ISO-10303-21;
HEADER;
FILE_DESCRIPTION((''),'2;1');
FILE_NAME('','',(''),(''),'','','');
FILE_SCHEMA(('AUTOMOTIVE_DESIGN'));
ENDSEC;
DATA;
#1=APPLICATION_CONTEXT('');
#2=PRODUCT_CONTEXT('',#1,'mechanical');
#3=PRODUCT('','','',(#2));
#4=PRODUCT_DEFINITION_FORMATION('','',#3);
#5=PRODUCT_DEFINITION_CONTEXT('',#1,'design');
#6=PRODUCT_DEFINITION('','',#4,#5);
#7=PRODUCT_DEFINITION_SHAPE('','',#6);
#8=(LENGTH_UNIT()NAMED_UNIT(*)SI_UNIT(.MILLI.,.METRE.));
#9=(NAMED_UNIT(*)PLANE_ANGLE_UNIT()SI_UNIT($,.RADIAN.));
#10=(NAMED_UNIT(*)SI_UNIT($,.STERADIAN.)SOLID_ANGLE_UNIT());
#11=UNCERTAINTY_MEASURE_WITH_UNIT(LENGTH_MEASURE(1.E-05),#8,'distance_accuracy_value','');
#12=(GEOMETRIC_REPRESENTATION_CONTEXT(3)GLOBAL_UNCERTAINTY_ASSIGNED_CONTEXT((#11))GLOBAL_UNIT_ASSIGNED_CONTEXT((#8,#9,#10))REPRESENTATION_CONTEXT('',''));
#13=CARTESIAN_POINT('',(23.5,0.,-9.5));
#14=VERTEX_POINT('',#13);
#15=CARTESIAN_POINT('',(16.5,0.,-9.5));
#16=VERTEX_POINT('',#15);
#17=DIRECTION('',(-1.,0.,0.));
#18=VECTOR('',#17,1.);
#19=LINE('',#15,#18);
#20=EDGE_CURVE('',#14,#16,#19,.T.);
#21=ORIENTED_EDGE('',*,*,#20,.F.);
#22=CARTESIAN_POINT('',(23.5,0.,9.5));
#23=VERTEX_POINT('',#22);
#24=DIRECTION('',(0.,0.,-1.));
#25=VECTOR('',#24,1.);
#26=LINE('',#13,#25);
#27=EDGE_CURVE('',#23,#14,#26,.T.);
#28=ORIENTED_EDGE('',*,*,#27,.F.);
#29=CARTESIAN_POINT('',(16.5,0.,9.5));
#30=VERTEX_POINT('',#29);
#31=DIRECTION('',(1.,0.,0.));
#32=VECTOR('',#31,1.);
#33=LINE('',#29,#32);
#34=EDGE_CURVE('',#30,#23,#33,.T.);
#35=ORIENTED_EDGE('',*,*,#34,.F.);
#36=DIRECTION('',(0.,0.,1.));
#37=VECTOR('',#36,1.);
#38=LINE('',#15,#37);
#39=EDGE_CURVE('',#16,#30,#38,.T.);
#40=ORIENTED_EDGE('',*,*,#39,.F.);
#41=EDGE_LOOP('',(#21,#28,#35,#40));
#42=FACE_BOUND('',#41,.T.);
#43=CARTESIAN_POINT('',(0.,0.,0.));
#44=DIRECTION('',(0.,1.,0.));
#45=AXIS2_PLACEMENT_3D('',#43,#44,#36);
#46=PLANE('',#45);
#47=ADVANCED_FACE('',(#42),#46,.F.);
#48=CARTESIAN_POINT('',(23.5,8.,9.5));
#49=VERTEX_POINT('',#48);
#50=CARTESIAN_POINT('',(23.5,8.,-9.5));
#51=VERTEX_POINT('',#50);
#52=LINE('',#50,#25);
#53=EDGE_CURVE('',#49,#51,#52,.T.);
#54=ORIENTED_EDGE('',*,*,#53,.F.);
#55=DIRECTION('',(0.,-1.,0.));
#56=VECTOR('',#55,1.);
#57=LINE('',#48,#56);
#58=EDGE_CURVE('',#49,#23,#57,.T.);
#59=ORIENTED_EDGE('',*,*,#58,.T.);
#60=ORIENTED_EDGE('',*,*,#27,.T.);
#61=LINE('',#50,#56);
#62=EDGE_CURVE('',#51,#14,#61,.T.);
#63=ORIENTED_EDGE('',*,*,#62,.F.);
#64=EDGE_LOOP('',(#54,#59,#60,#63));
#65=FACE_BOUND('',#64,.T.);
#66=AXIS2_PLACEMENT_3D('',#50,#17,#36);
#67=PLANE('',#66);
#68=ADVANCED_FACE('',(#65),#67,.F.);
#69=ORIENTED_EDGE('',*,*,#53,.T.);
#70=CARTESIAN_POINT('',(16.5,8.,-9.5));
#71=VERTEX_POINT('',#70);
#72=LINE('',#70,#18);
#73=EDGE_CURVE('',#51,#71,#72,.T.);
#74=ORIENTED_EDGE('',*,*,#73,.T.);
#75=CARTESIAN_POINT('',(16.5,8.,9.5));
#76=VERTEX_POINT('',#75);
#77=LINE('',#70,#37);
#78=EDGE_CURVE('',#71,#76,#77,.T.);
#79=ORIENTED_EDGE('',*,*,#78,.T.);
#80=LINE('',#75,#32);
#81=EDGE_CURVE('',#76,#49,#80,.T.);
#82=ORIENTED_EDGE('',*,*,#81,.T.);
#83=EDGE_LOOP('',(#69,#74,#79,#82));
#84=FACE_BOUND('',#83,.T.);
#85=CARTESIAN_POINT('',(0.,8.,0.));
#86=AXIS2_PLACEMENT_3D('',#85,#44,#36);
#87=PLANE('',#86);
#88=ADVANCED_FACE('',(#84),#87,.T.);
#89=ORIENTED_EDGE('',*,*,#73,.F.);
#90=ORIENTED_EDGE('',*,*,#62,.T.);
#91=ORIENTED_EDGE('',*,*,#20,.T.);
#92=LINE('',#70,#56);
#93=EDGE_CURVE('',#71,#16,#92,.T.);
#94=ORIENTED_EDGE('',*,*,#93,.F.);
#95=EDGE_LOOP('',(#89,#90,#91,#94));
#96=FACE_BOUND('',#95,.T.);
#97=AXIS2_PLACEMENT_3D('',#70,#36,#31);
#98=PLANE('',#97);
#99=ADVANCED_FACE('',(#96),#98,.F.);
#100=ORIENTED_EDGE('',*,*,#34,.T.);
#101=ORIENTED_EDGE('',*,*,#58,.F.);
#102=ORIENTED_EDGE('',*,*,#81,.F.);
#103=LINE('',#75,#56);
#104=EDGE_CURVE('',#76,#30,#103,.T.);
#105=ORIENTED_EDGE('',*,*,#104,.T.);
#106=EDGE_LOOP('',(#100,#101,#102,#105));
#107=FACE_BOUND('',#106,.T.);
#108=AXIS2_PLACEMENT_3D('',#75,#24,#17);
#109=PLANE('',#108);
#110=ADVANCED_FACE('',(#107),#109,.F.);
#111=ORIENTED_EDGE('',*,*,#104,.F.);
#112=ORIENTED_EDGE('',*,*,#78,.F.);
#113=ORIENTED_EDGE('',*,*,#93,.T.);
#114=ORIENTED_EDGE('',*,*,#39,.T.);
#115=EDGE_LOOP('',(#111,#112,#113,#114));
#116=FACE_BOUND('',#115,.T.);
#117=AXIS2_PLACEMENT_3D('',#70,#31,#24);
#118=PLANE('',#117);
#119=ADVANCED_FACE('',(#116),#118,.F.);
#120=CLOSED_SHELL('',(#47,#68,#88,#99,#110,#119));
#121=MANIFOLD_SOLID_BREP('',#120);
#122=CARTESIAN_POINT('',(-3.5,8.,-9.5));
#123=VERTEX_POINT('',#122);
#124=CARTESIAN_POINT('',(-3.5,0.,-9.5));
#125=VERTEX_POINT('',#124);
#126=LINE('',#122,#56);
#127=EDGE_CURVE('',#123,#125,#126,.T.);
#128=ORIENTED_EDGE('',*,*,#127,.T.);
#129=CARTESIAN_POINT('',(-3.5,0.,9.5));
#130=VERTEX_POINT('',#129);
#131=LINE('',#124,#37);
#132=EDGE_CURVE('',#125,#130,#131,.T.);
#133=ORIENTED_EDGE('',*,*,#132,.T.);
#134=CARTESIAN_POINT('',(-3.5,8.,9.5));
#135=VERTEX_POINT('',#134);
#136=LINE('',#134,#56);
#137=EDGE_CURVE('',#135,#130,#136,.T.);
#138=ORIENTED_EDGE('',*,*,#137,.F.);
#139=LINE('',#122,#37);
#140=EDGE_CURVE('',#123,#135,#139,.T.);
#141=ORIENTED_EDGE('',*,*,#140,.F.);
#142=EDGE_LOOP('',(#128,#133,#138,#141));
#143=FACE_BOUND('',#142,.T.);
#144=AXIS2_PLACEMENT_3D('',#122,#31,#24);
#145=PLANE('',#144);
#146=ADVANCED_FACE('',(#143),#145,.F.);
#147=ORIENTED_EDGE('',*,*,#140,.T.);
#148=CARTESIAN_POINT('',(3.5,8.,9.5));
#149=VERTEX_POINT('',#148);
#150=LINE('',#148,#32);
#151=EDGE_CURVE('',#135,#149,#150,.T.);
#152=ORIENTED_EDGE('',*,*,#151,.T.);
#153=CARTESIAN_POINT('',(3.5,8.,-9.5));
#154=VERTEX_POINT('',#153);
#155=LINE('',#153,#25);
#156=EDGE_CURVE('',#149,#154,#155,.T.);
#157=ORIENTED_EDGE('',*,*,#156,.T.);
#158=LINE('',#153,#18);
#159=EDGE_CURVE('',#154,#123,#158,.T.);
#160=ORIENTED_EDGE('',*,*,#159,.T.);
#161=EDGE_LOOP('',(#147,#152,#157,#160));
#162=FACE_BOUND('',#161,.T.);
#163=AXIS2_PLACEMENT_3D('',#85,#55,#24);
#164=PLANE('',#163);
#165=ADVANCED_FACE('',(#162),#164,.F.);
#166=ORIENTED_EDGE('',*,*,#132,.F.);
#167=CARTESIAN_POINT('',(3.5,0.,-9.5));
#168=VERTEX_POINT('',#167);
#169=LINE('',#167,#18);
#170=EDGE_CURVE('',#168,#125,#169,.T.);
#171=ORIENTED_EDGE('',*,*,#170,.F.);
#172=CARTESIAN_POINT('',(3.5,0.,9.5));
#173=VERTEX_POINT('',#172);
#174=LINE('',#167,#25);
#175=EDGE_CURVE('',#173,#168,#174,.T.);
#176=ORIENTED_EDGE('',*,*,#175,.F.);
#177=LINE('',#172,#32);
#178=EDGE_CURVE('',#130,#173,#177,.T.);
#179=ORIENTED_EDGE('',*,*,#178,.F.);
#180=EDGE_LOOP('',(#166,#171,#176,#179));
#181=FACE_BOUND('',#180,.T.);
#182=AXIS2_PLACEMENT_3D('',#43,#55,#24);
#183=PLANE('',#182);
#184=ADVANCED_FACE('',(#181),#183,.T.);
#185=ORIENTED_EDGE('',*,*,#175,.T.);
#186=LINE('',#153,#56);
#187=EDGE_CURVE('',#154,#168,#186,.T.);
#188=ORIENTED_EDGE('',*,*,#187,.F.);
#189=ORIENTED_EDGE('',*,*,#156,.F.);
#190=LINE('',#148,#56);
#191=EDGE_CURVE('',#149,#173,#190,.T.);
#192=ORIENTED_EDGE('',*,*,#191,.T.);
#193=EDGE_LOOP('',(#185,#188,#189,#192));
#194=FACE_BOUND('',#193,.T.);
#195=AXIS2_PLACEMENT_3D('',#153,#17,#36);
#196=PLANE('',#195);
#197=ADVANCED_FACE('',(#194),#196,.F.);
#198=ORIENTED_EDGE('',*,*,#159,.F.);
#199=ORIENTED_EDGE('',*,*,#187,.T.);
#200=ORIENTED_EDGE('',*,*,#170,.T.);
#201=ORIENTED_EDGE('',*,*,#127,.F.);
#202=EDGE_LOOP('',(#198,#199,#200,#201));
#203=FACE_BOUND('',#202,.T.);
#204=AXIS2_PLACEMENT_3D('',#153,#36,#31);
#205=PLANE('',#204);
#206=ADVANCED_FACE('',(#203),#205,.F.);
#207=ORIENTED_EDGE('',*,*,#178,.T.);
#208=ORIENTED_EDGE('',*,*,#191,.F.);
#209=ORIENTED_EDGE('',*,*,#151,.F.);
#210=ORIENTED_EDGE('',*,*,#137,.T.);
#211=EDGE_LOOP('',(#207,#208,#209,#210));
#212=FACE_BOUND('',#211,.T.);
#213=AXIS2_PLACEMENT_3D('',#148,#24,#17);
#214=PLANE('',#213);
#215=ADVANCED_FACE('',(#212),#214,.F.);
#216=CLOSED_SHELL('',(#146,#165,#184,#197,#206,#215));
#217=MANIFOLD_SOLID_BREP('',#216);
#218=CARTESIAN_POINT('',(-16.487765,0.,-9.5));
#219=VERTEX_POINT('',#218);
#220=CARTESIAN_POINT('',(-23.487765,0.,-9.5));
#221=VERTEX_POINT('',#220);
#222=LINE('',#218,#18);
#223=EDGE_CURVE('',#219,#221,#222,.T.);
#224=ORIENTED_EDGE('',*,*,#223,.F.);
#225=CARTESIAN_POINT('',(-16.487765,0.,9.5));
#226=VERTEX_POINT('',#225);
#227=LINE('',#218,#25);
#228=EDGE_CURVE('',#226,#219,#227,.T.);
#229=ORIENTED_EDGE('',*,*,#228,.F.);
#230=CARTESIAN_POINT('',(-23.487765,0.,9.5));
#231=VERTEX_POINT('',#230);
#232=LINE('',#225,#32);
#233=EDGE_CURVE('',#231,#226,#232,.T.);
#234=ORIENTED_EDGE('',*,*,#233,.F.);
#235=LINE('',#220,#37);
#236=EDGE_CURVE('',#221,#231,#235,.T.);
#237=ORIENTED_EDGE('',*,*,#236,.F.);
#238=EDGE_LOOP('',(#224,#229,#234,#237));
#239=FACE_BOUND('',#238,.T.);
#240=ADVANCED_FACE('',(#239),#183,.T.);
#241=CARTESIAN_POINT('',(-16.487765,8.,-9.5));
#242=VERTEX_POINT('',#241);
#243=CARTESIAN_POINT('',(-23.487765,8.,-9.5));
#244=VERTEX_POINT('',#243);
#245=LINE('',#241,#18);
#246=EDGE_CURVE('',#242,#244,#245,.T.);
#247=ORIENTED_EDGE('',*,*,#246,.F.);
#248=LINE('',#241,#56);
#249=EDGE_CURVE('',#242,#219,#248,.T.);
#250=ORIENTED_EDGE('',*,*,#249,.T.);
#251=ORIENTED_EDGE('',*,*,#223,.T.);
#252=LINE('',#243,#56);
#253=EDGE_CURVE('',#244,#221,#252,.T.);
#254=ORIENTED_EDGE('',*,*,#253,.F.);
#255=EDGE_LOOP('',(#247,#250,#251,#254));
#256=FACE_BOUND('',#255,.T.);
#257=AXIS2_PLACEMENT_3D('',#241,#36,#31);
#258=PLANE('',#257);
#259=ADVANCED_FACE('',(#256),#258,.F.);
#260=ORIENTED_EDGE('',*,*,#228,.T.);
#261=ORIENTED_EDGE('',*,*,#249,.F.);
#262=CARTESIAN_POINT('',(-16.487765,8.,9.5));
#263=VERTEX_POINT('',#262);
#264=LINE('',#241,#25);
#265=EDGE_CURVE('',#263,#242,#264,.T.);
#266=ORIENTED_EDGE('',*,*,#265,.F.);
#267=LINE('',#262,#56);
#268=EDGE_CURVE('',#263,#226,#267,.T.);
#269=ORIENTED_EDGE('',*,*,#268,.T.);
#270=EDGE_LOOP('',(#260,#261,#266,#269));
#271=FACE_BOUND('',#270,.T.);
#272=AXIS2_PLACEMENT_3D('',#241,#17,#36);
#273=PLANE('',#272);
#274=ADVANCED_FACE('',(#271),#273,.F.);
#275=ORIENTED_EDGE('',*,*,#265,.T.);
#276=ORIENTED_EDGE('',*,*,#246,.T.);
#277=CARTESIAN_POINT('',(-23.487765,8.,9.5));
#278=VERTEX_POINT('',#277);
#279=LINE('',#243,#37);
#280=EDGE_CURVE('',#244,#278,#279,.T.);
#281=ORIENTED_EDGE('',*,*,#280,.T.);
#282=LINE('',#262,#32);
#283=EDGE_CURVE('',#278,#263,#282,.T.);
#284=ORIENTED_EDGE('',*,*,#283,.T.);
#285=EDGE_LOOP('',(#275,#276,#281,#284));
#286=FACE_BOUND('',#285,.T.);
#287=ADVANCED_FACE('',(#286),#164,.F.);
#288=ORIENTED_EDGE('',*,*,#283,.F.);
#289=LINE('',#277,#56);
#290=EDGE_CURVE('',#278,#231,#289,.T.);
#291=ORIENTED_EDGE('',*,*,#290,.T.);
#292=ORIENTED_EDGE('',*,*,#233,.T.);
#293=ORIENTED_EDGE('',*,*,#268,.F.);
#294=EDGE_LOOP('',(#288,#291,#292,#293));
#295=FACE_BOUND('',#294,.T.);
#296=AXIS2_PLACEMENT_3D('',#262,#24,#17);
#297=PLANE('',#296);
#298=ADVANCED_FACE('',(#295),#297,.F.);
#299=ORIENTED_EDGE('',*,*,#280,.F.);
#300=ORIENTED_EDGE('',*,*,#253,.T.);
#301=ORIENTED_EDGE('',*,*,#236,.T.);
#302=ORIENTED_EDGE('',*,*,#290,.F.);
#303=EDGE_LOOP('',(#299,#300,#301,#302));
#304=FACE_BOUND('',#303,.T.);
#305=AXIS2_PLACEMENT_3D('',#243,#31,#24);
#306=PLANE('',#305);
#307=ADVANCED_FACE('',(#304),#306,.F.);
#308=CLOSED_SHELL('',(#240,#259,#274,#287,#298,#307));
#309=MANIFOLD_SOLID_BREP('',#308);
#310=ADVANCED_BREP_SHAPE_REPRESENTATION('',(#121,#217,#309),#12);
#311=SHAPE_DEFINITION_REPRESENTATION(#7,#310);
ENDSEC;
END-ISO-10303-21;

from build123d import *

# Parameters (mm, degrees)
SKETCH1_W             = 7
SKETCH1_H             = 19
BOSS_EXTRUDE1_DEPTH   = 8
BOSS_EXTRUDE1_2_DEPTH = 8
BOSS_EXTRUDE1_3_DEPTH = 8


with BuildPart() as part:
    # Sketch1 → Boss-Extrude1 (new body)
    with BuildSketch(Plane(origin=(0, 0, 0), x_dir=(1, 0, 0), z_dir=(0, 1, 0))):
        Rectangle(SKETCH1_W, SKETCH1_H)
    extrude(amount=BOSS_EXTRUDE1_DEPTH)


with BuildPart() as body_2:
    # Sketch1 → Boss-Extrude1 2 (new body)
    with BuildSketch(Plane(origin=(0, 0, 0), x_dir=(1, 0, 0), z_dir=(0, 1, 0))):
        with Locations((20, 0)):
            Rectangle(SKETCH1_W, SKETCH1_H)
    extrude(amount=BOSS_EXTRUDE1_2_DEPTH)


with BuildPart() as body_3:
    # Sketch1 → Boss-Extrude1 3 (new body)
    with BuildSketch(Plane(origin=(0, 0, 0), x_dir=(1, 0, 0), z_dir=(0, 1, 0))):
        with Locations((-19.987765385, 0)):
            Rectangle(SKETCH1_W, SKETCH1_H)
    extrude(amount=BOSS_EXTRUDE1_3_DEPTH)


solid = Compound([part.part, body_2.part, body_3.part])
